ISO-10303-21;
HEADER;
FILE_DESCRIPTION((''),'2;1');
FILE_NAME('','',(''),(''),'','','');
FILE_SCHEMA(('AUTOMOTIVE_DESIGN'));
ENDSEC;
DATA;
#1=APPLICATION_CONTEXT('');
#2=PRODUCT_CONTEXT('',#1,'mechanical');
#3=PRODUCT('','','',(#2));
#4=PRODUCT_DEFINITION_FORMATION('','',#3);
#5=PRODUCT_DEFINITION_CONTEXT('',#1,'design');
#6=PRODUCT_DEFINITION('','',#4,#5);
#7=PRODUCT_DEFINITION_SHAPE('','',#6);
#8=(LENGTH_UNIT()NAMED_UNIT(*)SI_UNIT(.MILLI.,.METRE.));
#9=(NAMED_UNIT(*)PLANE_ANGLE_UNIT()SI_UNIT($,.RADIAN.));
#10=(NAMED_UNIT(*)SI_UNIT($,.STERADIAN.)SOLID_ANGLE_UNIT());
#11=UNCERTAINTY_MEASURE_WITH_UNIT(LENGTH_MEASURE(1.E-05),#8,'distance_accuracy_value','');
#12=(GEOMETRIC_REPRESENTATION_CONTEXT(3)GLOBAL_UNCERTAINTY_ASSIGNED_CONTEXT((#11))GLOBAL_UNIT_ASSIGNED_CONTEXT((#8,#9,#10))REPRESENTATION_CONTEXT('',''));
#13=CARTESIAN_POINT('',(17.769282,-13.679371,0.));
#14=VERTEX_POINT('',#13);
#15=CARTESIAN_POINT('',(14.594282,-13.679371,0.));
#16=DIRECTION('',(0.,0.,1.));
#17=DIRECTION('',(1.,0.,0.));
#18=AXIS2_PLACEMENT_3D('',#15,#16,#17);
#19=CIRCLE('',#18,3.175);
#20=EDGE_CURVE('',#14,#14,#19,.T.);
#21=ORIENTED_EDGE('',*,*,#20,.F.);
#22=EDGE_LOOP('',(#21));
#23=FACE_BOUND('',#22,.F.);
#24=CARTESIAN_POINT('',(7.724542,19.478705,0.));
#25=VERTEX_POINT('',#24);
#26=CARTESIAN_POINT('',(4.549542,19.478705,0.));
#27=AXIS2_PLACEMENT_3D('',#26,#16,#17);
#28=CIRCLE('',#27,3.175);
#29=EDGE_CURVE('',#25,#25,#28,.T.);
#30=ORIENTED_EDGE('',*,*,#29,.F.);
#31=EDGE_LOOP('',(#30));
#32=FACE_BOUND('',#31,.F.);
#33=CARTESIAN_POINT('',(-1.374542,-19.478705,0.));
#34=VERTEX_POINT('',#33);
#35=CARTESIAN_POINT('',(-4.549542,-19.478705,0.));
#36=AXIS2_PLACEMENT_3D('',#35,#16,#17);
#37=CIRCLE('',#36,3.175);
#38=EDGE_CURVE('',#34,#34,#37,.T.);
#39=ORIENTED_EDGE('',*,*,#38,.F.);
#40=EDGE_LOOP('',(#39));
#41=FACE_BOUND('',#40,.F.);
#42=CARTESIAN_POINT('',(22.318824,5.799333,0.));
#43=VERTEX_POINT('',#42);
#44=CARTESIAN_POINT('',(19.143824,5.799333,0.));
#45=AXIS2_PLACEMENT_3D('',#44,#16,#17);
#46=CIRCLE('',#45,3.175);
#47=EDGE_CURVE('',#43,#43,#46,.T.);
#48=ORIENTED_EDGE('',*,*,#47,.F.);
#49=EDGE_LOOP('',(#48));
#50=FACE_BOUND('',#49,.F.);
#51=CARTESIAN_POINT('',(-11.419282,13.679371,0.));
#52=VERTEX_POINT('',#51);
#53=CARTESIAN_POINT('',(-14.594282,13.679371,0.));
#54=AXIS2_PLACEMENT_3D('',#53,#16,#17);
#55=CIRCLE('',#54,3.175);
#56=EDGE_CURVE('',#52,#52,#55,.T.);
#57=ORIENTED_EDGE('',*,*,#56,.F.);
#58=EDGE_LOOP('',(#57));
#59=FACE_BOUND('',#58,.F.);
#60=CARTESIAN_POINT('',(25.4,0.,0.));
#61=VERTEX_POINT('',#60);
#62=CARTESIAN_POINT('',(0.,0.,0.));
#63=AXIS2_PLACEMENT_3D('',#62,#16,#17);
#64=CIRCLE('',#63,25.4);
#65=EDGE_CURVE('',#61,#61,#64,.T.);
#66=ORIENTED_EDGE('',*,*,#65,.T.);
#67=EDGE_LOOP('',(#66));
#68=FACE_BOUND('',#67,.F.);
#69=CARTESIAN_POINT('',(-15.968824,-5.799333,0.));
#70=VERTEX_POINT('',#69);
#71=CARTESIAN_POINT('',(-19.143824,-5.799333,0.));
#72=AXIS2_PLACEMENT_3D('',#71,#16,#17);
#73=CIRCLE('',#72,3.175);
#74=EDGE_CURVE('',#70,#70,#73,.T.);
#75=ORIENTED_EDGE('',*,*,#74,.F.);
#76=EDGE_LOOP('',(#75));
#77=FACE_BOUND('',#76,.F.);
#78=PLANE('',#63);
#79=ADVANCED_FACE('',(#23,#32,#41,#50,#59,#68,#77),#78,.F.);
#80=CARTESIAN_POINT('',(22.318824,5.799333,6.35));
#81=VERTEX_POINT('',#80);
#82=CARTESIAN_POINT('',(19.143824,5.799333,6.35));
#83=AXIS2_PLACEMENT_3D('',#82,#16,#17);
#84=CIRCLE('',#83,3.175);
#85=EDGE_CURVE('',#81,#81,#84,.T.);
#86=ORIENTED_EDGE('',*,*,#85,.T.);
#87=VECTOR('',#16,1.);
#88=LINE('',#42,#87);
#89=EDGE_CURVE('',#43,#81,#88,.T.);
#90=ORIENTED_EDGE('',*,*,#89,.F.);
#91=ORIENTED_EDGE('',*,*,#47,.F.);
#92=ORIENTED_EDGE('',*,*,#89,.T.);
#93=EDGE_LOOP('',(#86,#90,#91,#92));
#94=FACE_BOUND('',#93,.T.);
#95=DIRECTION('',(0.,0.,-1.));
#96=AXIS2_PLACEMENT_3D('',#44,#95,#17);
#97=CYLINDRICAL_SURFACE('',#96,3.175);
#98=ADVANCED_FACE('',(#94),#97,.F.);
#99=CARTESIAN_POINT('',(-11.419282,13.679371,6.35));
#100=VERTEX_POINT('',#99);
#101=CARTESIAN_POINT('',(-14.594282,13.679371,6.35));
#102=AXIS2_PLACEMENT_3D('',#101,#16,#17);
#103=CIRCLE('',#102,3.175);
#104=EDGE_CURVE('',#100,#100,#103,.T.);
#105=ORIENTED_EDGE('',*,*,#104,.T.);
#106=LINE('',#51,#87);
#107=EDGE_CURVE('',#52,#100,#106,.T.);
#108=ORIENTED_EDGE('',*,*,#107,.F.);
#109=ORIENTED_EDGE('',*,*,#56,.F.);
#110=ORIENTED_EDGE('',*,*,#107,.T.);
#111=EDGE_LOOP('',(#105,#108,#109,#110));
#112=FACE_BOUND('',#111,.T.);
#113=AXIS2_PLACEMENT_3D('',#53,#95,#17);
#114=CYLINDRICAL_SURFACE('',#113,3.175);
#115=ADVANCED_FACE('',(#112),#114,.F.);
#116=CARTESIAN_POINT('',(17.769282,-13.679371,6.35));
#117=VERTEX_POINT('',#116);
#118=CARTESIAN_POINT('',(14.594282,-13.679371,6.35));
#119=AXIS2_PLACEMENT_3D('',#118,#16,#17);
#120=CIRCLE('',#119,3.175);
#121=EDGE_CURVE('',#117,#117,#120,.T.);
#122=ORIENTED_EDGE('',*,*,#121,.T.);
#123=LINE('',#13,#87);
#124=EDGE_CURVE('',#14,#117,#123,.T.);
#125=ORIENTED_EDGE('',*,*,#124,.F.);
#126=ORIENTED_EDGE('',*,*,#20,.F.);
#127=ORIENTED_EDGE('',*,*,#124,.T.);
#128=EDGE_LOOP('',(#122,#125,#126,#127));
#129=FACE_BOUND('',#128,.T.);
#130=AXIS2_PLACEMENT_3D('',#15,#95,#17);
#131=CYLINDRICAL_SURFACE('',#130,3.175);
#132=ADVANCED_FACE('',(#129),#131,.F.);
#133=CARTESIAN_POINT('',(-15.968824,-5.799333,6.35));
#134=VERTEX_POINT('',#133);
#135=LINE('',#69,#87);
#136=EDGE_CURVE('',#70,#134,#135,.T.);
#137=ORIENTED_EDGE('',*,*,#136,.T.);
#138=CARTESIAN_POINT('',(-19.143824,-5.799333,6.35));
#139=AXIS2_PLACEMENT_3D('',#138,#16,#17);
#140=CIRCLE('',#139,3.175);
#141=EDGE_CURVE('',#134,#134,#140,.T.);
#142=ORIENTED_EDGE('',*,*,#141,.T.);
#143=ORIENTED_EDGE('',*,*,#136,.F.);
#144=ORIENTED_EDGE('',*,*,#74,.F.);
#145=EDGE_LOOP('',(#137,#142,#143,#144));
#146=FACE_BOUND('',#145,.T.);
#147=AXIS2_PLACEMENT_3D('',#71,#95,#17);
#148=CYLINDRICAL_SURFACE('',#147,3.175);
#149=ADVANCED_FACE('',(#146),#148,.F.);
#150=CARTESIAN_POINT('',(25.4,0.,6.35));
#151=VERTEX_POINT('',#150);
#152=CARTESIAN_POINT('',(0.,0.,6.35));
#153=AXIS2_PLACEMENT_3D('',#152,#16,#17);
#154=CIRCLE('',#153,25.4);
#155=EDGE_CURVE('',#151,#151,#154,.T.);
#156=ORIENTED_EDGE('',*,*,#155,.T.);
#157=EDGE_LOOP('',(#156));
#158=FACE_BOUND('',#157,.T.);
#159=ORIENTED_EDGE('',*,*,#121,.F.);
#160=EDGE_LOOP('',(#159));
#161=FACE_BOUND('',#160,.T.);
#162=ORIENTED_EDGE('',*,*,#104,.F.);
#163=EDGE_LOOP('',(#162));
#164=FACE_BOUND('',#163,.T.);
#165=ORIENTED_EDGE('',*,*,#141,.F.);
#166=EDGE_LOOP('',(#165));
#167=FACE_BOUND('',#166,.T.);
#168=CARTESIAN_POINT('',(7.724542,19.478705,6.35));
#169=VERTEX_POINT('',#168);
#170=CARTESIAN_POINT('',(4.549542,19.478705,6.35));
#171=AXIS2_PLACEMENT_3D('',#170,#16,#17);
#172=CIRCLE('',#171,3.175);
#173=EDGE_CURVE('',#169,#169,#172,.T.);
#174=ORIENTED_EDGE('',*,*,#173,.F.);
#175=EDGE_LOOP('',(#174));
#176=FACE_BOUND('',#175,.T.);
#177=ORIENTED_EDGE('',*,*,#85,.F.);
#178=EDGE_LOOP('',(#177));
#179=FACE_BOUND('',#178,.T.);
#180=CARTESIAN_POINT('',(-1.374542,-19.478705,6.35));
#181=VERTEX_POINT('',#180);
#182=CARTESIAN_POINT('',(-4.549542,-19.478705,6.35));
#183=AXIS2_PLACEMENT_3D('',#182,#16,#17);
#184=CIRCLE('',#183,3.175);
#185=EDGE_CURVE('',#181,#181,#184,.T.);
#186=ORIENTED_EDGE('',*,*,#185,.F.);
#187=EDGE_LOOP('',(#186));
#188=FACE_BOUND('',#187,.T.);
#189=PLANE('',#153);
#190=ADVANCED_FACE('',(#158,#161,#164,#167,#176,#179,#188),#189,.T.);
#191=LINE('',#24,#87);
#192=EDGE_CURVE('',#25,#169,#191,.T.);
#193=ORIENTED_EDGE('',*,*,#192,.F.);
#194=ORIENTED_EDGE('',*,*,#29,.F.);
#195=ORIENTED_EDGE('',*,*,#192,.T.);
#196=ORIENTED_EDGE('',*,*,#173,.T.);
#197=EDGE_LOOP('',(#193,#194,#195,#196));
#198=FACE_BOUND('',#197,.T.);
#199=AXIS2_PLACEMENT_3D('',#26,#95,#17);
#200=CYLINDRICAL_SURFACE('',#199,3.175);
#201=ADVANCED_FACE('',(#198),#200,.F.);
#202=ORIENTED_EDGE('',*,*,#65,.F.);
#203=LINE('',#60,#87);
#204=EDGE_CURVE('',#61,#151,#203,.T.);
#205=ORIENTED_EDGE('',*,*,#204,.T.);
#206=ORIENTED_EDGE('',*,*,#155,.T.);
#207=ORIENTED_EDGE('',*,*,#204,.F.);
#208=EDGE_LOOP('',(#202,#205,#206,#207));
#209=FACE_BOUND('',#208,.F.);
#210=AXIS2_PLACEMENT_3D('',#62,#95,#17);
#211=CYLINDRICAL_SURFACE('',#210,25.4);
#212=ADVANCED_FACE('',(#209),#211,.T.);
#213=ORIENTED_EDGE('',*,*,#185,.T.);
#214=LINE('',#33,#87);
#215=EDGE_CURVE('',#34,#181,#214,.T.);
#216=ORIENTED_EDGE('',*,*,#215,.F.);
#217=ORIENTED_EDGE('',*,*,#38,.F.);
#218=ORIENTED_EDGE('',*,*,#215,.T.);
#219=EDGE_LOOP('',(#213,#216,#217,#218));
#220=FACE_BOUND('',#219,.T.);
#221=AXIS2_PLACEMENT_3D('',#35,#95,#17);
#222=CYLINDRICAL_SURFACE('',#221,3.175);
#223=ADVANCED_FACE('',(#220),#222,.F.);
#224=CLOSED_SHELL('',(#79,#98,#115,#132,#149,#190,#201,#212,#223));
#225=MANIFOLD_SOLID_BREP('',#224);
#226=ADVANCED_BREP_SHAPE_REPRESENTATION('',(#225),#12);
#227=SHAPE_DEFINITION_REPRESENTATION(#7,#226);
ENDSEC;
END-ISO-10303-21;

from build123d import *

# Parameters (mm, degrees)
F0_R     = 25.4
F0_R_2   = 3.175
F1_DEPTH = 6.35


with BuildPart() as f1:
    # F0 (on Top) → F1 (new body)
    with BuildSketch(Plane.XY):
        Circle(F0_R)
        with Locations((-4.549542, -19.478705)):
            Circle(F0_R_2, mode=Mode.SUBTRACT)
        with Locations((-19.143824, -5.799333)):
            Circle(F0_R_2, mode=Mode.SUBTRACT)
        with Locations((14.594282, -13.679371)):
            Circle(F0_R_2, mode=Mode.SUBTRACT)
        with Locations((-14.594282, 13.679371)):
            Circle(F0_R_2, mode=Mode.SUBTRACT)
        with Locations((19.143824, 5.799333)):
            Circle(F0_R_2, mode=Mode.SUBTRACT)
        with Locations((4.549542, 19.478705)):
            Circle(F0_R_2, mode=Mode.SUBTRACT)
    extrude(amount=F1_DEPTH)


solid = f1.part
